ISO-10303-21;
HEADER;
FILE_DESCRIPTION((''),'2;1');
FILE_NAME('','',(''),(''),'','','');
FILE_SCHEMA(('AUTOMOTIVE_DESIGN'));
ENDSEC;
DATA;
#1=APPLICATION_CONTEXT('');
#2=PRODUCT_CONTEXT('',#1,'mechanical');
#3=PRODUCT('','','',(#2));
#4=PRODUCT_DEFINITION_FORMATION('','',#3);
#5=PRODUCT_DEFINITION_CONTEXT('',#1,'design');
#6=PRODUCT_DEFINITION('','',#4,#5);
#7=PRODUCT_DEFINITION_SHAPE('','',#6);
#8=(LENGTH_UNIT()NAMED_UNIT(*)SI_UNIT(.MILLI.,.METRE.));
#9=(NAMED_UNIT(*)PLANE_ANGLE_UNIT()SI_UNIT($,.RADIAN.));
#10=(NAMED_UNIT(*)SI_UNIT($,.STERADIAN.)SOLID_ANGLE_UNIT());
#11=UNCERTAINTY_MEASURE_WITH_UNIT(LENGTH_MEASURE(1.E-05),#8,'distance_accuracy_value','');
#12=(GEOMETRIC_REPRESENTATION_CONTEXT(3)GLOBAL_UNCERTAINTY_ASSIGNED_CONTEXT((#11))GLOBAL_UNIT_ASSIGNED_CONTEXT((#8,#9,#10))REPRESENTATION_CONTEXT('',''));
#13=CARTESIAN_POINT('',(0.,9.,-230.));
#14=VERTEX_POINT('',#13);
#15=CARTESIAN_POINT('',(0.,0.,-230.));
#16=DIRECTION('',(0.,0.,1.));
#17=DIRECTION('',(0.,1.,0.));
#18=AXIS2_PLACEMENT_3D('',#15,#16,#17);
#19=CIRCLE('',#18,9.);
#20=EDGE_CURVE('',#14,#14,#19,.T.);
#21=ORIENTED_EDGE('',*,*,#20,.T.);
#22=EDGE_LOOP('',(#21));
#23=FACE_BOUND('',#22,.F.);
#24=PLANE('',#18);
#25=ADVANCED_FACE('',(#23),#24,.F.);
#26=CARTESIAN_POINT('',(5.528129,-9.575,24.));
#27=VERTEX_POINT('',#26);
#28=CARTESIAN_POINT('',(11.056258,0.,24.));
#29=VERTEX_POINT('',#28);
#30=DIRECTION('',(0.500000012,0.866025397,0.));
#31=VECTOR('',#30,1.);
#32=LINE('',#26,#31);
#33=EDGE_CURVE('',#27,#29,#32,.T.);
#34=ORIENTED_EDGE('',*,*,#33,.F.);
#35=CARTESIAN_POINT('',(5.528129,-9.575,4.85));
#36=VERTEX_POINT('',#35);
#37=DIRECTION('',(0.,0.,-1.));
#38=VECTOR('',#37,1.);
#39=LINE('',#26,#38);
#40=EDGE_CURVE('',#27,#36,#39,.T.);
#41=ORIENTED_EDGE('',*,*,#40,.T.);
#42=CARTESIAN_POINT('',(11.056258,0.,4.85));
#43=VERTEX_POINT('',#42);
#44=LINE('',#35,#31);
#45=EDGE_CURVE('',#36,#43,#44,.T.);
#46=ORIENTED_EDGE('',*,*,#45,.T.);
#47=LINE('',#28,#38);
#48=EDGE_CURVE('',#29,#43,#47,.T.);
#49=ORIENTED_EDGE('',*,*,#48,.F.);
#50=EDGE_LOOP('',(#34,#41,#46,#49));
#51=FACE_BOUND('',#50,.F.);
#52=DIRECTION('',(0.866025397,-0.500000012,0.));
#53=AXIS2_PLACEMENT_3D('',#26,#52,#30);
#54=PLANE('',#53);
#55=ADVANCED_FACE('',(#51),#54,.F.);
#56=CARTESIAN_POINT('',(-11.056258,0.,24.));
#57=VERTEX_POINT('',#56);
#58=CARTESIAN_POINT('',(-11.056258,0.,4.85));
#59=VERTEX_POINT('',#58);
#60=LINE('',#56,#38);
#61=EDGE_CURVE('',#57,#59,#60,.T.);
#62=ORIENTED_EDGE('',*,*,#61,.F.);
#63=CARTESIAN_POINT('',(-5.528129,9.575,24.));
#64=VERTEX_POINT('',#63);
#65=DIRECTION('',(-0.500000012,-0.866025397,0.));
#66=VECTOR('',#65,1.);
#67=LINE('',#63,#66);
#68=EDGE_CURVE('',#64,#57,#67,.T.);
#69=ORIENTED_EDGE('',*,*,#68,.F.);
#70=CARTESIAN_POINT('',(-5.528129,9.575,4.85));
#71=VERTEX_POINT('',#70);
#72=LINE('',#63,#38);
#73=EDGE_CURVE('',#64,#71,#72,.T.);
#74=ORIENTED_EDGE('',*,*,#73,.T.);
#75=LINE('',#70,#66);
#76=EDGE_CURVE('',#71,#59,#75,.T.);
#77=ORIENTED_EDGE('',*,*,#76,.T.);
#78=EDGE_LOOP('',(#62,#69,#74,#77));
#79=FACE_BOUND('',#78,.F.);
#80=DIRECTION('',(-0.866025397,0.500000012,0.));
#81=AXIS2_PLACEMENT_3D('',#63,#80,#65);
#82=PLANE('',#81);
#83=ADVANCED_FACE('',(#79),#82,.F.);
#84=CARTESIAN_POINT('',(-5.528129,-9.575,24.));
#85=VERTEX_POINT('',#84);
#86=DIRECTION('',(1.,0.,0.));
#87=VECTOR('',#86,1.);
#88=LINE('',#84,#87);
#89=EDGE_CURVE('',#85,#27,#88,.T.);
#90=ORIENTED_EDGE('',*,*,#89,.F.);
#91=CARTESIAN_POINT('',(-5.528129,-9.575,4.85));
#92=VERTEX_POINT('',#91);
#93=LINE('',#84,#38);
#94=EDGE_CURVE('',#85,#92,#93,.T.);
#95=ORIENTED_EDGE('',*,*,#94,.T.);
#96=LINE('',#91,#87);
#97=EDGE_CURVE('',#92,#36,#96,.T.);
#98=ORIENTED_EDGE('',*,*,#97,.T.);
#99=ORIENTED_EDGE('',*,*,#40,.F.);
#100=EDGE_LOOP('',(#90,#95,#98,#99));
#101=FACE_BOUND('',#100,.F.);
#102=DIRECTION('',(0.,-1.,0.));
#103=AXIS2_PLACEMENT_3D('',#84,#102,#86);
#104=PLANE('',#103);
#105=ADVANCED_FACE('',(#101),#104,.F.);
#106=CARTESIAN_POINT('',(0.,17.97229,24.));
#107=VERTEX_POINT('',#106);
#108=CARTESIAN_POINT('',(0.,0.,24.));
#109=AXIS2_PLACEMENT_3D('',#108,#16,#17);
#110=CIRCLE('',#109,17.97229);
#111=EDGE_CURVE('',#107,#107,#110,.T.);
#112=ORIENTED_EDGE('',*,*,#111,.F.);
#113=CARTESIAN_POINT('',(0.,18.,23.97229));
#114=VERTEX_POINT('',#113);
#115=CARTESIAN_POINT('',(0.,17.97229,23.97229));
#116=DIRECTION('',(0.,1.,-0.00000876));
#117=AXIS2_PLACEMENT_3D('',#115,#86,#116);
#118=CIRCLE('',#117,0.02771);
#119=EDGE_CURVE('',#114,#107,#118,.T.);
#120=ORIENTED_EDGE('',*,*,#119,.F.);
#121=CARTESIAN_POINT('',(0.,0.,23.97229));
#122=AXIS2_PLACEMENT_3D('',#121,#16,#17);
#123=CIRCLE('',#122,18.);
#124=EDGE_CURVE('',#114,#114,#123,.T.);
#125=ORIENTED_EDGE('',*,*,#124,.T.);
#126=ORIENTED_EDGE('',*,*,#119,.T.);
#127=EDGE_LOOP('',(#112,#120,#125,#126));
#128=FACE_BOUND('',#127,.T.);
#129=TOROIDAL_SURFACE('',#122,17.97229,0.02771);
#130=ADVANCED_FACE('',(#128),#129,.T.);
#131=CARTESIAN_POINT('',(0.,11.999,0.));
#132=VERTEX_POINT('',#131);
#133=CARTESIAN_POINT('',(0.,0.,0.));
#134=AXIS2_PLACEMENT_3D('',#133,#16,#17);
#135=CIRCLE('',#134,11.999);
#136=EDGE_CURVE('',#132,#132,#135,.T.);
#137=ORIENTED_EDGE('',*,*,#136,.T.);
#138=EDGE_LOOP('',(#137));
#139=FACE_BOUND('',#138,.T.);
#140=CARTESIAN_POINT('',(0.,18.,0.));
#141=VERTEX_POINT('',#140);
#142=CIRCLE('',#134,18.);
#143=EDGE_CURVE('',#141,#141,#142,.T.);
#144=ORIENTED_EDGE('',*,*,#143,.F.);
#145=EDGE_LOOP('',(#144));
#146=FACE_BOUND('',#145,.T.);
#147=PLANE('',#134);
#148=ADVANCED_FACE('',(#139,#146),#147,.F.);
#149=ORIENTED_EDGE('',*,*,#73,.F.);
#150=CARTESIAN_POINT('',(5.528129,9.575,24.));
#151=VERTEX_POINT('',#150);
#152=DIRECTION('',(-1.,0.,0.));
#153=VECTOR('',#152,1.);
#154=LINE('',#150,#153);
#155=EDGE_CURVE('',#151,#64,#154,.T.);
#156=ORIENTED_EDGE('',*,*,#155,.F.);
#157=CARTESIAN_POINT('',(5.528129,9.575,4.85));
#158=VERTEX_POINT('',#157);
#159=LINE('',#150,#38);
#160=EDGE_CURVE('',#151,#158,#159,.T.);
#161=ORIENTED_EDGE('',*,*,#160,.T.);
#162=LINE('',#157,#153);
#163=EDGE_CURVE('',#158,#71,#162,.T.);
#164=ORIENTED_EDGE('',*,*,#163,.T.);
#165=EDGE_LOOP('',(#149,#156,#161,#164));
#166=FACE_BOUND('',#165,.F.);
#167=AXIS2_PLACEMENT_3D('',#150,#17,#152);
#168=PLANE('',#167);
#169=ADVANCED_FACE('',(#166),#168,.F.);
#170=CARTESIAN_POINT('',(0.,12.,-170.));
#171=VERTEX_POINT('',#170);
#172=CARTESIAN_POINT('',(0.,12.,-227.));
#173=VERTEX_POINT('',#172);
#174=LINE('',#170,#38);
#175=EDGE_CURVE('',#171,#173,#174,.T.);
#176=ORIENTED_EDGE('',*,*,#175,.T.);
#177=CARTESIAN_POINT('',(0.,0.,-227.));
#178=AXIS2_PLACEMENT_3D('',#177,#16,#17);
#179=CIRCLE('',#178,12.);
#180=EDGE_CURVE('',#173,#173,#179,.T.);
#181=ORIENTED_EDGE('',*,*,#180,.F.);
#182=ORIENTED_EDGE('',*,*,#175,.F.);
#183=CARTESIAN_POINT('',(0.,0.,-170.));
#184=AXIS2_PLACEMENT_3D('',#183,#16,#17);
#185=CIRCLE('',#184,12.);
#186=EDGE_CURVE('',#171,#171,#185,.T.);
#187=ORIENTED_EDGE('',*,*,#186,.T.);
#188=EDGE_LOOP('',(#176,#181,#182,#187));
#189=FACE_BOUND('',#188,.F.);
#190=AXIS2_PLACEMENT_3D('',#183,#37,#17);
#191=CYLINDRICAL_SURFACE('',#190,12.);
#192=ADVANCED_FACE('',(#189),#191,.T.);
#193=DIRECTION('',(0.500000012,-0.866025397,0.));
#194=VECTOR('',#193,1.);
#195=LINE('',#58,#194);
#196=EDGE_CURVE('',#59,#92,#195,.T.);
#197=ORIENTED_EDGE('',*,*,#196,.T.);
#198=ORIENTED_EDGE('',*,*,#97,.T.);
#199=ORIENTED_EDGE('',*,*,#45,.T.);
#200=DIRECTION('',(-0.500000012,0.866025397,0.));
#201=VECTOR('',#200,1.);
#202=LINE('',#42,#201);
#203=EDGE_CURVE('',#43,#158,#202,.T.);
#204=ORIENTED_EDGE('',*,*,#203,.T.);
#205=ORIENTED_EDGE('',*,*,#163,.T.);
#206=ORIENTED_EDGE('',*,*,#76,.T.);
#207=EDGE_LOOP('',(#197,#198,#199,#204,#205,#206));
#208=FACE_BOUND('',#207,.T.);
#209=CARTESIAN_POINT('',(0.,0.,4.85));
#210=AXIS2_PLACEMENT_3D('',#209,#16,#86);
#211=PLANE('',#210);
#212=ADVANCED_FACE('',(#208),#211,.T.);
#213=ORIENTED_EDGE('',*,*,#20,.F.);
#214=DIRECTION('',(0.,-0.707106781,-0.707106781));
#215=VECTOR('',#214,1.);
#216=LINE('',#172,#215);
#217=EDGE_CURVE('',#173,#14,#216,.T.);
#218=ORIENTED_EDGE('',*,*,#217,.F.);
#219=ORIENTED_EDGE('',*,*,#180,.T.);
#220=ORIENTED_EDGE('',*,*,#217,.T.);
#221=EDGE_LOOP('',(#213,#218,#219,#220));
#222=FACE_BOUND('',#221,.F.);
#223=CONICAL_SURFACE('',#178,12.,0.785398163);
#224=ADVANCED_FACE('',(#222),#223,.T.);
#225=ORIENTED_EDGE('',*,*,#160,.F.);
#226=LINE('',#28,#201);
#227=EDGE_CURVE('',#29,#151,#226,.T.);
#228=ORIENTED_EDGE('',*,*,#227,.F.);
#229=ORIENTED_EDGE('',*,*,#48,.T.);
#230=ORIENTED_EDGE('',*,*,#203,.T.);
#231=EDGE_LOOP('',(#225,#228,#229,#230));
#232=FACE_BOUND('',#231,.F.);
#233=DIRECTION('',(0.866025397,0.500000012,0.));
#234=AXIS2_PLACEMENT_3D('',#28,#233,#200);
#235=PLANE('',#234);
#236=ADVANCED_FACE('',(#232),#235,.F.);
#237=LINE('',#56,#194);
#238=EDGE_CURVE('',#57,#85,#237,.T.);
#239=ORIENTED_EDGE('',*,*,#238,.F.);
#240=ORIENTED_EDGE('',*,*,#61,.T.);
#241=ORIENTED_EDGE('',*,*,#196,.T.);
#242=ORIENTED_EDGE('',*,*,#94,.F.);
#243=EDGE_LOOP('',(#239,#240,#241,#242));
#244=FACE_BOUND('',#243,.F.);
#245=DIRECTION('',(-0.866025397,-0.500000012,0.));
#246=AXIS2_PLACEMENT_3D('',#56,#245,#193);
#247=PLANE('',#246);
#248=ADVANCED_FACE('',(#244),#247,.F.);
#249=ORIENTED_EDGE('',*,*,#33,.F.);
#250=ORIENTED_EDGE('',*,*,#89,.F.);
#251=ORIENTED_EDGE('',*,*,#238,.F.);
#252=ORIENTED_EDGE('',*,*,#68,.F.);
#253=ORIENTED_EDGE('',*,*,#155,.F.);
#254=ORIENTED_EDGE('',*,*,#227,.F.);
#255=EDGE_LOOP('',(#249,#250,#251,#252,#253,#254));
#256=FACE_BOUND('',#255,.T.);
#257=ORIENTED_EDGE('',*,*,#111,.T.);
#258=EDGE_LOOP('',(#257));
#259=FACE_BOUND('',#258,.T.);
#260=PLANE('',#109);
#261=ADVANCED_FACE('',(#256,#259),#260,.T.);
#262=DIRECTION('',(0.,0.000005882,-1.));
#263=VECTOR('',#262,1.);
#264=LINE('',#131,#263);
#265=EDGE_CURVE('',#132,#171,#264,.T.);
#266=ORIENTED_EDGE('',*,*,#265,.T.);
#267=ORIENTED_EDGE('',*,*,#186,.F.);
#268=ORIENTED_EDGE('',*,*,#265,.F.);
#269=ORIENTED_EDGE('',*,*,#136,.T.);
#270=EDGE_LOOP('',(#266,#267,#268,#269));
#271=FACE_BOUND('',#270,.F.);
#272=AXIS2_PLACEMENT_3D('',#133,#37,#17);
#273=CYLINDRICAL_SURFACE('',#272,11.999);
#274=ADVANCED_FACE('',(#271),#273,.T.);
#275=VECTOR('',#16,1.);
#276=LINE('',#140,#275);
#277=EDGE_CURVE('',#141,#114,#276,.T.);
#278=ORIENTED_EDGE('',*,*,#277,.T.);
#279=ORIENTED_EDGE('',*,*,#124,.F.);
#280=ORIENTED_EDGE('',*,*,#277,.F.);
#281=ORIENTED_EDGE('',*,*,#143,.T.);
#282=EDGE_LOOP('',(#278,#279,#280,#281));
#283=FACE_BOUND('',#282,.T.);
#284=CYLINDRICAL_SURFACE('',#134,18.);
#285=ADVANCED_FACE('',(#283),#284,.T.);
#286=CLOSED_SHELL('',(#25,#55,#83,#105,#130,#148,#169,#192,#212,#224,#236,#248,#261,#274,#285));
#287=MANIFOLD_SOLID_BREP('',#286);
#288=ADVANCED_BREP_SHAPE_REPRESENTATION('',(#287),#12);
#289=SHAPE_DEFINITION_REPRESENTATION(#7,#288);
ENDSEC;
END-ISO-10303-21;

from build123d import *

# Parameters (mm, degrees)
POCKET_DEPTH = 19.15


with BuildPart() as part:
    # Sketch → Revolve (revolve)
    with BuildSketch(Plane.YZ):
        with BuildLine():
            Line((11.999, 0), (18, 0))
            Line((18, 0), (18, 23.97229))
            ThreePointArc((18, 23.97229), (17.991884, 23.991884), (17.97229, 24))
            Line((17.97229, 24), (0, 24))
            Line((0, -230), (0, 24))
            Line((9, -230), (0, -230))
            Line((12, -227), (9, -230))
            Line((12, -170), (12, -227))
            Line((11.999, 0), (12, -170))
        make_face()
    revolve(axis=Axis((0, 0, 0), (0, 0, 1)))

    # Sketch001 → Pocket (cut)
    with BuildSketch(Plane.XY.offset(24)):
        Polygon((11.056258, 0), (5.528129, 9.575), (-5.528129, 9.575), (-11.056258, 0), (-5.528129, -9.575), (5.528129, -9.575), align=None)
    extrude(amount=-POCKET_DEPTH, mode=Mode.SUBTRACT)


solid = part.part
